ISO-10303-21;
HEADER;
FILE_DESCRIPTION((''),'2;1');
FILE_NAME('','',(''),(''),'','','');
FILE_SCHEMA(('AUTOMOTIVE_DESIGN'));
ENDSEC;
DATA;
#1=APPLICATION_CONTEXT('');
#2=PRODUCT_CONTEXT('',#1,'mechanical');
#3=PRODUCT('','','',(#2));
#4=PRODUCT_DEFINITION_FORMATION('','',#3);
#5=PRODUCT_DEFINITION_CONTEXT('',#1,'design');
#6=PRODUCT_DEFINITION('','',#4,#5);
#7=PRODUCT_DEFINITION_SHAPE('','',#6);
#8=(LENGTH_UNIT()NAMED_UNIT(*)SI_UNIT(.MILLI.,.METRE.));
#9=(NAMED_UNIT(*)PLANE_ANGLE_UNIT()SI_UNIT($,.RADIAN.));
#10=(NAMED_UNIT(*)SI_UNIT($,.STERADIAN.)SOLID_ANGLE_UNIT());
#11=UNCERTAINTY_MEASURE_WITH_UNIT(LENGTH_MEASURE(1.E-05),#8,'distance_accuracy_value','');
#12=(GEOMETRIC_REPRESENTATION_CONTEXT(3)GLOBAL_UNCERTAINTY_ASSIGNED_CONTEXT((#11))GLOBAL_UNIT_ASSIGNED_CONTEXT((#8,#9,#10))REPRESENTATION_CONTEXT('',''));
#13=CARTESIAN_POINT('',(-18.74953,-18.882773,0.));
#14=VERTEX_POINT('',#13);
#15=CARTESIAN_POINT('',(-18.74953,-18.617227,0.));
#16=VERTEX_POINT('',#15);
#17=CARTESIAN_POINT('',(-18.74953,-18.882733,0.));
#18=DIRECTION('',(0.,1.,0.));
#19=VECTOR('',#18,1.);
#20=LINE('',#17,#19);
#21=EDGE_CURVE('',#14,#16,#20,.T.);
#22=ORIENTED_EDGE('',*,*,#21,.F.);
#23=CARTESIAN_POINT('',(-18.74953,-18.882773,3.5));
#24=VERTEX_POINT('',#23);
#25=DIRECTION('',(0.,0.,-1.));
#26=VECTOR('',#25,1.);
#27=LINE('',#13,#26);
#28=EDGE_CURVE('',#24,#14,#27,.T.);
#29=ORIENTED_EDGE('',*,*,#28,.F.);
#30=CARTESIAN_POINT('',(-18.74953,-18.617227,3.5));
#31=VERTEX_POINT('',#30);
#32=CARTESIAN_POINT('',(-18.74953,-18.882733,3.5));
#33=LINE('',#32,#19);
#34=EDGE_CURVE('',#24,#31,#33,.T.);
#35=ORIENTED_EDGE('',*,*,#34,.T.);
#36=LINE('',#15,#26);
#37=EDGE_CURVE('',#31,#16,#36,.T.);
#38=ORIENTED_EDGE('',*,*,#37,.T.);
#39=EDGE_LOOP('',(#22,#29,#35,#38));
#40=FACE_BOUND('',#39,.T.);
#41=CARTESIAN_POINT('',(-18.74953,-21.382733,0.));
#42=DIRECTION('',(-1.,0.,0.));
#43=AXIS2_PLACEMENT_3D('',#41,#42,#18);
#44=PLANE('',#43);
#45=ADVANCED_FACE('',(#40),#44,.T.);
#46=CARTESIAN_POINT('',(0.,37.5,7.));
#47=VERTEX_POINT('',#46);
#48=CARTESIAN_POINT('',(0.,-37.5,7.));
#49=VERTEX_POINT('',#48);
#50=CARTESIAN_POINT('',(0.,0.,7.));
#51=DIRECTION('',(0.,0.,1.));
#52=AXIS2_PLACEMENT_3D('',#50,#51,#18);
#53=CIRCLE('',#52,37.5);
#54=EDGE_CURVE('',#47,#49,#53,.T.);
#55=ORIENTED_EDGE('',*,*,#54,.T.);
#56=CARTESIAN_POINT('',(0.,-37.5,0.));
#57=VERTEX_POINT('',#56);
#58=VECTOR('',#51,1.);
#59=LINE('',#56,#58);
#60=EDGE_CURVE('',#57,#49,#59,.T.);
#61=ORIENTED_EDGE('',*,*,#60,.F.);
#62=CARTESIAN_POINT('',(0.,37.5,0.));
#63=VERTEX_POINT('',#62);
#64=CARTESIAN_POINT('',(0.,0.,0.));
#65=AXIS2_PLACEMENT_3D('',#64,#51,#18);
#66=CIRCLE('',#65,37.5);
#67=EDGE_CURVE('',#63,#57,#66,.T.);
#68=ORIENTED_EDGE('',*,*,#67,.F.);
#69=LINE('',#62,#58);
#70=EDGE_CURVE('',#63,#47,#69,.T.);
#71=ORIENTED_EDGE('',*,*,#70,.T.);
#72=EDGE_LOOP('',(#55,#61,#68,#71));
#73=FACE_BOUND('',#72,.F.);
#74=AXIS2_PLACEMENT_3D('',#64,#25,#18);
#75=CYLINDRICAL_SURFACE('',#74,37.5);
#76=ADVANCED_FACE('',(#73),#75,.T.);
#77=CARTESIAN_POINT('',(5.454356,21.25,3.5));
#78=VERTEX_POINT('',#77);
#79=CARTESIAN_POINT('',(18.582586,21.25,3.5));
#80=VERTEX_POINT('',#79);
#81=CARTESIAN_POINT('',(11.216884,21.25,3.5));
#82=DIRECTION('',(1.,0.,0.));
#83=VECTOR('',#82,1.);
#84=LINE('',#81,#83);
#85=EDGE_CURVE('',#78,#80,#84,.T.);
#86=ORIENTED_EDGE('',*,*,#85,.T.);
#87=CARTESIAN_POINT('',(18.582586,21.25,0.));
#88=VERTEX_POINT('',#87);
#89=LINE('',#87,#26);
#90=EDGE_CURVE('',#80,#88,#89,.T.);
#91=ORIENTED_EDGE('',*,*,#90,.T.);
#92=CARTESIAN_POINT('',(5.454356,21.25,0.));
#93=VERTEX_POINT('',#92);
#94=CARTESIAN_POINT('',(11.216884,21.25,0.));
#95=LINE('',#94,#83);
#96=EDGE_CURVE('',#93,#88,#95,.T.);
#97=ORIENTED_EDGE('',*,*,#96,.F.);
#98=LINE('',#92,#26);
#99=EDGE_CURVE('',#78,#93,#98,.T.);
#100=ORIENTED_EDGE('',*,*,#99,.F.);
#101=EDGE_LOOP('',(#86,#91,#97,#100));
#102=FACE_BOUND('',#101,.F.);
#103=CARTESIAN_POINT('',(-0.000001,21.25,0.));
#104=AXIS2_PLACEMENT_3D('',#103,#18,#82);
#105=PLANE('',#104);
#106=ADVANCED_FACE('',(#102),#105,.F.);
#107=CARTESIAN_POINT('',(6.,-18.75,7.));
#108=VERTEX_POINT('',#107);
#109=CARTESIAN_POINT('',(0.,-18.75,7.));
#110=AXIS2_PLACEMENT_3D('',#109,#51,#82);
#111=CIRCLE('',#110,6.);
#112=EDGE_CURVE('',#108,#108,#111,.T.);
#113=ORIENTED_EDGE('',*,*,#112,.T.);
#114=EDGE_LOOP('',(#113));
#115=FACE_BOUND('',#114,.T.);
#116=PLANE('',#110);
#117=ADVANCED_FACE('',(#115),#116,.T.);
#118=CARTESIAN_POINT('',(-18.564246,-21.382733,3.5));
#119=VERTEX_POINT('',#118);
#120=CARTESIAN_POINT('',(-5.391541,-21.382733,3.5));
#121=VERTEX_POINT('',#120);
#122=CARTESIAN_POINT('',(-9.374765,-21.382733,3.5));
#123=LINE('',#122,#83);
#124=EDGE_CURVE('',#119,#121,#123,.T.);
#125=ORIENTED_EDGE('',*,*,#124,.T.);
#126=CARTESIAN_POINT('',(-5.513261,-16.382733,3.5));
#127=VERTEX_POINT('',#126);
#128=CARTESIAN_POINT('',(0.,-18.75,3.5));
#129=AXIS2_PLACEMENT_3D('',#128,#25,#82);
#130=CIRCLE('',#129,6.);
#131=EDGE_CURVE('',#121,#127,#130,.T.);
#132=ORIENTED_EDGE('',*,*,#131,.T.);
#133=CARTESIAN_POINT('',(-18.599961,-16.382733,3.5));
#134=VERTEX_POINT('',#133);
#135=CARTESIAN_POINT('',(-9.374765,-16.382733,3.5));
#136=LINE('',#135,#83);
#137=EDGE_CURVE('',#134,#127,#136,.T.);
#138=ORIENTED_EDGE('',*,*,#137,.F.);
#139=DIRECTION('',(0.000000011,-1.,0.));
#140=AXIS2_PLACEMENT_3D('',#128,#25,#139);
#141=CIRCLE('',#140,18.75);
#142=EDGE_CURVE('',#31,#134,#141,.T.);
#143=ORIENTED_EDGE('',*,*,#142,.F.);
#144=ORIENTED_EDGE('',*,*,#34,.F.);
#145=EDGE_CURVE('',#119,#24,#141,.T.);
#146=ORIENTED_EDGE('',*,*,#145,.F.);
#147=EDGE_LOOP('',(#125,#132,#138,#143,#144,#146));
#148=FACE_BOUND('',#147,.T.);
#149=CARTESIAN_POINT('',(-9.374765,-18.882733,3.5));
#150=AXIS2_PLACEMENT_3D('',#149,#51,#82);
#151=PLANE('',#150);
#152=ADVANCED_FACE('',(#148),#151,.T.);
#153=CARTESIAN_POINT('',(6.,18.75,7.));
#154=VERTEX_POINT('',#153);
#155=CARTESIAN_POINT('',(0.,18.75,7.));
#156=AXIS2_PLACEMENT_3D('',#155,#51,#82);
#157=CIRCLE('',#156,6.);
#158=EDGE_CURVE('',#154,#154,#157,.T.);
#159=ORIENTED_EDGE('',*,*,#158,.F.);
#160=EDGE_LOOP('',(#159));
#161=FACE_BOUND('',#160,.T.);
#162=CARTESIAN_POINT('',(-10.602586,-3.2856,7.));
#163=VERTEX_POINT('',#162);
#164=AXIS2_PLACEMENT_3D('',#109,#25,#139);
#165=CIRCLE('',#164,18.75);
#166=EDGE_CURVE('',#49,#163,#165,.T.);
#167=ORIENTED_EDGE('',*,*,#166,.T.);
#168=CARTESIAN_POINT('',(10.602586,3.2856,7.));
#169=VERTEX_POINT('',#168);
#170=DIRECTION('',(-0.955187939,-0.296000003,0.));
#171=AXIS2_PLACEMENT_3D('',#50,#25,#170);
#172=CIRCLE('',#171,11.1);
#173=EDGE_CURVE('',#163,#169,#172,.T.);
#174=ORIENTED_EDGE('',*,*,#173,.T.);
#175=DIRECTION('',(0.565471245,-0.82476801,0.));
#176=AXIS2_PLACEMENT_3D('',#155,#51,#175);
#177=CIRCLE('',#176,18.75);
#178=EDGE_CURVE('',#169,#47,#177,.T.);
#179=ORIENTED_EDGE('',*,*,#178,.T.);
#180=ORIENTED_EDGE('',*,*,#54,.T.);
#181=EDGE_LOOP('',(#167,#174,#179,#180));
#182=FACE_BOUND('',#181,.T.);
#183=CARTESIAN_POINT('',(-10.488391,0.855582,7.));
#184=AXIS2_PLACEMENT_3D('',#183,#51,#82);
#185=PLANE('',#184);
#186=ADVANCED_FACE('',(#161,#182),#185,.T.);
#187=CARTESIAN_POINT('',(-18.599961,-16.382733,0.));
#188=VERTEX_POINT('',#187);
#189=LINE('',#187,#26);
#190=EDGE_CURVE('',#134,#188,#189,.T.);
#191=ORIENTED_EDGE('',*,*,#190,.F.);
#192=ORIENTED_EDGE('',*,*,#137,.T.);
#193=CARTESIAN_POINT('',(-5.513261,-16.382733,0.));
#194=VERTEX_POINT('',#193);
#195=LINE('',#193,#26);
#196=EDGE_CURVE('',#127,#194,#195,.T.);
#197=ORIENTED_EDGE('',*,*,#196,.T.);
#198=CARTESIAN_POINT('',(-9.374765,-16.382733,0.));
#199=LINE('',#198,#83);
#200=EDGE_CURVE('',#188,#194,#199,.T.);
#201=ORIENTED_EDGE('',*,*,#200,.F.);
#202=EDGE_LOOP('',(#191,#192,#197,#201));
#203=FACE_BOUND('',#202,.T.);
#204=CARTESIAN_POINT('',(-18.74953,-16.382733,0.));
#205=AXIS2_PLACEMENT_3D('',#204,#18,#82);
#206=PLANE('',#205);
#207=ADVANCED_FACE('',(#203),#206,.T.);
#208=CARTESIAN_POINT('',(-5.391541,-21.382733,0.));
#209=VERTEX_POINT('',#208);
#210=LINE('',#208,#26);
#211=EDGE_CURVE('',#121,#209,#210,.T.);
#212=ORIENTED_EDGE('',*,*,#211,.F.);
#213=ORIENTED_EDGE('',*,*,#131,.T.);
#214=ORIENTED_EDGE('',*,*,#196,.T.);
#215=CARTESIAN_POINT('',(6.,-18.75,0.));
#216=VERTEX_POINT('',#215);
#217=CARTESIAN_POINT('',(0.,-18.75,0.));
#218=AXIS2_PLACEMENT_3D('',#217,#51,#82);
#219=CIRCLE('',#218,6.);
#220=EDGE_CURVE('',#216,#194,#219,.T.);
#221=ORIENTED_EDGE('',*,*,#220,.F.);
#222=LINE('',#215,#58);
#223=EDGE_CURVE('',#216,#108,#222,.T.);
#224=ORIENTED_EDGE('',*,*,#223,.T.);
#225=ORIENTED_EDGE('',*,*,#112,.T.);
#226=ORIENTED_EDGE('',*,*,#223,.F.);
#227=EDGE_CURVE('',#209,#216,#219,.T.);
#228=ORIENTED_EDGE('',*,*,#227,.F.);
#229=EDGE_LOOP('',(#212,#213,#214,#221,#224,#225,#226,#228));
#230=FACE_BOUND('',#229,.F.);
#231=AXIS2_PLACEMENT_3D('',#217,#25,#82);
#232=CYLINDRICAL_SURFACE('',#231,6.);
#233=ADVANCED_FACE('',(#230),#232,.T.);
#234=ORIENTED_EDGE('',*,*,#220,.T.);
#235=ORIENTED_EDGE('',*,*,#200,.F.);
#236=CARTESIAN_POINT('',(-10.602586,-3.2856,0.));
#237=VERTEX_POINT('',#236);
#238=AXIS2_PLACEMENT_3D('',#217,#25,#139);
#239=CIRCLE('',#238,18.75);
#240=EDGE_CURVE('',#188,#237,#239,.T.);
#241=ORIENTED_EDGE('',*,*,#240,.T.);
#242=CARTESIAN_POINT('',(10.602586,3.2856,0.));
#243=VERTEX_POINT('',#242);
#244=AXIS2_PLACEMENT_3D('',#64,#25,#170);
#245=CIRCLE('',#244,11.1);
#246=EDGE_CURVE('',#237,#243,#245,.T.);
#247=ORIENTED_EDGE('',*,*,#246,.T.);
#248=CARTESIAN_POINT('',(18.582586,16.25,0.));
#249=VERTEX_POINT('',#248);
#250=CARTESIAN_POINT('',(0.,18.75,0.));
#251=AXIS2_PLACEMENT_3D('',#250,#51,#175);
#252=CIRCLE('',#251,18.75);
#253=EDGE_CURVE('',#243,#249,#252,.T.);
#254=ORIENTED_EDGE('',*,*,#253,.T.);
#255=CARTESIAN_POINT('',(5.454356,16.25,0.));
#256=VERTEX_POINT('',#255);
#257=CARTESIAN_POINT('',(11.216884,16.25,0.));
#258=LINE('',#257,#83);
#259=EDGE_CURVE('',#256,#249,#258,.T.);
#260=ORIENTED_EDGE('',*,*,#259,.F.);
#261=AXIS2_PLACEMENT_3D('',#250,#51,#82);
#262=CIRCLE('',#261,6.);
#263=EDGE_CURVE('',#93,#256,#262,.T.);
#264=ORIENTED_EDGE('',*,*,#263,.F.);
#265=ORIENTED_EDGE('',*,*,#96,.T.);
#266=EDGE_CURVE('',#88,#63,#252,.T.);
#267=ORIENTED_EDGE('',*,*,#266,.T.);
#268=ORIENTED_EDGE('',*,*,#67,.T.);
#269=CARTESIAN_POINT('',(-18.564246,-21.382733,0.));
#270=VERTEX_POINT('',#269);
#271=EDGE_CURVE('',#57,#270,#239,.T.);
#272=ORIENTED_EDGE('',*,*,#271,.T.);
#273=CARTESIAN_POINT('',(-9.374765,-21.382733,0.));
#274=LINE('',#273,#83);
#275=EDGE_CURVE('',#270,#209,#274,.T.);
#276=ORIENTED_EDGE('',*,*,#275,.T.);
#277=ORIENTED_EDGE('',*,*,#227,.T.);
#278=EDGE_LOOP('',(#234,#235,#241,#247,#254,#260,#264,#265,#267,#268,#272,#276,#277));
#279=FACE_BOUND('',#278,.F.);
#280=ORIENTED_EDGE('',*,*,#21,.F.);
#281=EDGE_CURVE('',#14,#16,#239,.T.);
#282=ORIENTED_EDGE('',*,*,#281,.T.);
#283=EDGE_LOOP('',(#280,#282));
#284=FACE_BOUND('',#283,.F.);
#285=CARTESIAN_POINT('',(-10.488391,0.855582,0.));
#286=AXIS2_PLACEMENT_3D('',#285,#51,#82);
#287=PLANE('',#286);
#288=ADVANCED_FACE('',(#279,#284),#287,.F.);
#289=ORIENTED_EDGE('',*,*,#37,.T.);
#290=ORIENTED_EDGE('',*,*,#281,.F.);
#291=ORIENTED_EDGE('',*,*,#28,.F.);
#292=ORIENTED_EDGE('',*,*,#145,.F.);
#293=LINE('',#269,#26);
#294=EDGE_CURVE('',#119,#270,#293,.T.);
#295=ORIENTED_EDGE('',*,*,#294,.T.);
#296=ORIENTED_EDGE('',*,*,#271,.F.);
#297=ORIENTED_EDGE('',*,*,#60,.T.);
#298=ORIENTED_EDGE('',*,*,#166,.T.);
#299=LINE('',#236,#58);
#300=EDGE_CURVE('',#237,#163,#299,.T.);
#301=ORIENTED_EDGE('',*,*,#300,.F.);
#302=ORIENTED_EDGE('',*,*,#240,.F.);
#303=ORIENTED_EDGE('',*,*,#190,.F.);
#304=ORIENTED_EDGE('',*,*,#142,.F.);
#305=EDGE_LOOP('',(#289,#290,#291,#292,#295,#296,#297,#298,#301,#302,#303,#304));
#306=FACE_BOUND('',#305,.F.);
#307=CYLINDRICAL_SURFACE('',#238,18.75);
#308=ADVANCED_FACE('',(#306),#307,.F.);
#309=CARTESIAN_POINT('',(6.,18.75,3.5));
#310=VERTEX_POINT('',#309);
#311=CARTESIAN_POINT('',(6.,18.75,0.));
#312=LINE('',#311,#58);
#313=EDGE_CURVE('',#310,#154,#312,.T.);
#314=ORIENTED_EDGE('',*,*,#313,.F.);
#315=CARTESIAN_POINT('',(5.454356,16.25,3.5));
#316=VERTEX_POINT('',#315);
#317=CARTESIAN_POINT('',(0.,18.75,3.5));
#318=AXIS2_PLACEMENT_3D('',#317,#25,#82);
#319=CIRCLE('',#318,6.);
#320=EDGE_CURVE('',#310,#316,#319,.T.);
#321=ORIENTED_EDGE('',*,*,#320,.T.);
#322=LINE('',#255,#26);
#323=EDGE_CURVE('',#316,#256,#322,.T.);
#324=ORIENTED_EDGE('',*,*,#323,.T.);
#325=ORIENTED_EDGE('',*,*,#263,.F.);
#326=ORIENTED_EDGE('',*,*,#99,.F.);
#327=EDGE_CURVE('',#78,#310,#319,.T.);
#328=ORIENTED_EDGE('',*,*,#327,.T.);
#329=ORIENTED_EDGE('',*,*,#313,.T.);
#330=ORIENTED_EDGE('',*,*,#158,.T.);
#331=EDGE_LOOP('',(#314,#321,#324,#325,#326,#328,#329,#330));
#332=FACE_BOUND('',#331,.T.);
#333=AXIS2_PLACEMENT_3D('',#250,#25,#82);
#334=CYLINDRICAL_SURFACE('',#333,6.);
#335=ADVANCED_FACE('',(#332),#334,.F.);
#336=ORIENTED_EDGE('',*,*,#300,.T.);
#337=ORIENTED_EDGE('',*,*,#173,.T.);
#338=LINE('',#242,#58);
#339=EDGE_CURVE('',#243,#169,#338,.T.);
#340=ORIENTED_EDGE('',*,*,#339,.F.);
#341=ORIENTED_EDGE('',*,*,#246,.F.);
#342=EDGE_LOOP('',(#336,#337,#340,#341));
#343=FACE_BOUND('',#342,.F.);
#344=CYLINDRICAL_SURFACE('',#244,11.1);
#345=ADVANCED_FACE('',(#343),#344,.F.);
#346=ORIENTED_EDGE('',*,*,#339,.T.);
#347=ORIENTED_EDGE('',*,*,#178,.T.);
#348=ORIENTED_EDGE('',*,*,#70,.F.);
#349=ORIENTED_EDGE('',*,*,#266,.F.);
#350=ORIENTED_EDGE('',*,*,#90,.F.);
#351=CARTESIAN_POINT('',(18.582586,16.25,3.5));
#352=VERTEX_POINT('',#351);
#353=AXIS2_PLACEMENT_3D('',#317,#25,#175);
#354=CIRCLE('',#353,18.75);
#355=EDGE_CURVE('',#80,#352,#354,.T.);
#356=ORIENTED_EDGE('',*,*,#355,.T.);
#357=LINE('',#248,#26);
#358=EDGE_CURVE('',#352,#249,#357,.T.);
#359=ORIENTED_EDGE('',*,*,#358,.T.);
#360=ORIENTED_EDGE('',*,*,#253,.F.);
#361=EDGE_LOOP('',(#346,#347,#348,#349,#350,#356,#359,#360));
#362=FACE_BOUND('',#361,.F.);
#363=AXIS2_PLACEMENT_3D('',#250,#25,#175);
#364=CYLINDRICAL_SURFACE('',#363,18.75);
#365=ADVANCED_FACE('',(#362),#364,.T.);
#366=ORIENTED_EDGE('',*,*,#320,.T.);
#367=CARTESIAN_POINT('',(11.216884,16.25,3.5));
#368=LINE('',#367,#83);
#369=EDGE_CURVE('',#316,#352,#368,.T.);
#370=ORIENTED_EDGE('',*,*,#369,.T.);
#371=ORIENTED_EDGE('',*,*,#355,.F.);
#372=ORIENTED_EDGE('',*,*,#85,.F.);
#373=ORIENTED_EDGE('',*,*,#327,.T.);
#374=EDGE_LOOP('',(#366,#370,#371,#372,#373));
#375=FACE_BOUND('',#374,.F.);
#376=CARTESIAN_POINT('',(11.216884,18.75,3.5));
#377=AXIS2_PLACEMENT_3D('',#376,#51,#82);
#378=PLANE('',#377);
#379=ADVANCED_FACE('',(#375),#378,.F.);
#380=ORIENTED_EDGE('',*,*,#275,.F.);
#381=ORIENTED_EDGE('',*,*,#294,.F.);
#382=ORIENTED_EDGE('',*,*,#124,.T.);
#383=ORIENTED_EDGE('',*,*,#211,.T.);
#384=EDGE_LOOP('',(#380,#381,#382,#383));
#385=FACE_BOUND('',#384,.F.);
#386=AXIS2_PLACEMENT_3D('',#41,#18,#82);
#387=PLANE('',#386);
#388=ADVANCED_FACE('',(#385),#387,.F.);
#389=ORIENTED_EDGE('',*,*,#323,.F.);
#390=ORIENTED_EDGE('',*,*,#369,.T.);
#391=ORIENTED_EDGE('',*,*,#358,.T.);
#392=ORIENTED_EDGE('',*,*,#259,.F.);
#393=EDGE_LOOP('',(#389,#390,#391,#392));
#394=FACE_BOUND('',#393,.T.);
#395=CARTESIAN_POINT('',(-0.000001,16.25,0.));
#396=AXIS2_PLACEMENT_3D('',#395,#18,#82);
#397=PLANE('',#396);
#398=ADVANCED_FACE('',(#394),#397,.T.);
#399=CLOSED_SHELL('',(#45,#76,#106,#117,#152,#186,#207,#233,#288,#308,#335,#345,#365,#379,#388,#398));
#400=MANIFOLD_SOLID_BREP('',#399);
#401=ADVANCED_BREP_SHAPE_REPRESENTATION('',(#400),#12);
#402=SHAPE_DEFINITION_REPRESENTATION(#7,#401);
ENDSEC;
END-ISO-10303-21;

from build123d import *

# Parameters (mm, degrees)
F0_R     = 6
F1_DEPTH = 7
F2_W     = 18.74953
F2_H     = 5
F3_DEPTH = 3.5
F4_W     = 22.433769
F4_H     = 5
F5_DEPTH = 3.5


with BuildPart() as f1:
    # F0 (on Top) → F1 (new body)
    with BuildSketch(Plane.XY):
        with BuildLine():
            ThreePointArc((10.602586, 3.2856), (17.909774, 24.3), (0, 37.5))
            ThreePointArc((0, 37.5), (-37.5, 0), (0, -37.5))
            ThreePointArc((0, -37.5), (-17.909774, -24.3), (-10.602586, -3.2856))
            ThreePointArc((-10.602586, -3.2856), (-3.2856, 10.602586), (10.602586, 3.2856))
        make_face()
        with Locations((0, 18.75)):
            Circle(F0_R, mode=Mode.SUBTRACT)
        with Locations((0, -18.75)):
            Circle(F0_R)
    extrude(amount=F1_DEPTH)

    # F2 (on Top) → F3 (join)
    with BuildSketch(Plane.XY):
        with Locations((-9.374765, -18.882733)):
            Rectangle(F2_W, F2_H)
    extrude(amount=F3_DEPTH)

    # F4 (on Top) → F5 (cut)
    with BuildSketch(Plane.XY):
        with Locations((11.216884, 18.75)):
            Rectangle(F4_W, F4_H)
    extrude(amount=F5_DEPTH, mode=Mode.SUBTRACT)


solid = f1.part
